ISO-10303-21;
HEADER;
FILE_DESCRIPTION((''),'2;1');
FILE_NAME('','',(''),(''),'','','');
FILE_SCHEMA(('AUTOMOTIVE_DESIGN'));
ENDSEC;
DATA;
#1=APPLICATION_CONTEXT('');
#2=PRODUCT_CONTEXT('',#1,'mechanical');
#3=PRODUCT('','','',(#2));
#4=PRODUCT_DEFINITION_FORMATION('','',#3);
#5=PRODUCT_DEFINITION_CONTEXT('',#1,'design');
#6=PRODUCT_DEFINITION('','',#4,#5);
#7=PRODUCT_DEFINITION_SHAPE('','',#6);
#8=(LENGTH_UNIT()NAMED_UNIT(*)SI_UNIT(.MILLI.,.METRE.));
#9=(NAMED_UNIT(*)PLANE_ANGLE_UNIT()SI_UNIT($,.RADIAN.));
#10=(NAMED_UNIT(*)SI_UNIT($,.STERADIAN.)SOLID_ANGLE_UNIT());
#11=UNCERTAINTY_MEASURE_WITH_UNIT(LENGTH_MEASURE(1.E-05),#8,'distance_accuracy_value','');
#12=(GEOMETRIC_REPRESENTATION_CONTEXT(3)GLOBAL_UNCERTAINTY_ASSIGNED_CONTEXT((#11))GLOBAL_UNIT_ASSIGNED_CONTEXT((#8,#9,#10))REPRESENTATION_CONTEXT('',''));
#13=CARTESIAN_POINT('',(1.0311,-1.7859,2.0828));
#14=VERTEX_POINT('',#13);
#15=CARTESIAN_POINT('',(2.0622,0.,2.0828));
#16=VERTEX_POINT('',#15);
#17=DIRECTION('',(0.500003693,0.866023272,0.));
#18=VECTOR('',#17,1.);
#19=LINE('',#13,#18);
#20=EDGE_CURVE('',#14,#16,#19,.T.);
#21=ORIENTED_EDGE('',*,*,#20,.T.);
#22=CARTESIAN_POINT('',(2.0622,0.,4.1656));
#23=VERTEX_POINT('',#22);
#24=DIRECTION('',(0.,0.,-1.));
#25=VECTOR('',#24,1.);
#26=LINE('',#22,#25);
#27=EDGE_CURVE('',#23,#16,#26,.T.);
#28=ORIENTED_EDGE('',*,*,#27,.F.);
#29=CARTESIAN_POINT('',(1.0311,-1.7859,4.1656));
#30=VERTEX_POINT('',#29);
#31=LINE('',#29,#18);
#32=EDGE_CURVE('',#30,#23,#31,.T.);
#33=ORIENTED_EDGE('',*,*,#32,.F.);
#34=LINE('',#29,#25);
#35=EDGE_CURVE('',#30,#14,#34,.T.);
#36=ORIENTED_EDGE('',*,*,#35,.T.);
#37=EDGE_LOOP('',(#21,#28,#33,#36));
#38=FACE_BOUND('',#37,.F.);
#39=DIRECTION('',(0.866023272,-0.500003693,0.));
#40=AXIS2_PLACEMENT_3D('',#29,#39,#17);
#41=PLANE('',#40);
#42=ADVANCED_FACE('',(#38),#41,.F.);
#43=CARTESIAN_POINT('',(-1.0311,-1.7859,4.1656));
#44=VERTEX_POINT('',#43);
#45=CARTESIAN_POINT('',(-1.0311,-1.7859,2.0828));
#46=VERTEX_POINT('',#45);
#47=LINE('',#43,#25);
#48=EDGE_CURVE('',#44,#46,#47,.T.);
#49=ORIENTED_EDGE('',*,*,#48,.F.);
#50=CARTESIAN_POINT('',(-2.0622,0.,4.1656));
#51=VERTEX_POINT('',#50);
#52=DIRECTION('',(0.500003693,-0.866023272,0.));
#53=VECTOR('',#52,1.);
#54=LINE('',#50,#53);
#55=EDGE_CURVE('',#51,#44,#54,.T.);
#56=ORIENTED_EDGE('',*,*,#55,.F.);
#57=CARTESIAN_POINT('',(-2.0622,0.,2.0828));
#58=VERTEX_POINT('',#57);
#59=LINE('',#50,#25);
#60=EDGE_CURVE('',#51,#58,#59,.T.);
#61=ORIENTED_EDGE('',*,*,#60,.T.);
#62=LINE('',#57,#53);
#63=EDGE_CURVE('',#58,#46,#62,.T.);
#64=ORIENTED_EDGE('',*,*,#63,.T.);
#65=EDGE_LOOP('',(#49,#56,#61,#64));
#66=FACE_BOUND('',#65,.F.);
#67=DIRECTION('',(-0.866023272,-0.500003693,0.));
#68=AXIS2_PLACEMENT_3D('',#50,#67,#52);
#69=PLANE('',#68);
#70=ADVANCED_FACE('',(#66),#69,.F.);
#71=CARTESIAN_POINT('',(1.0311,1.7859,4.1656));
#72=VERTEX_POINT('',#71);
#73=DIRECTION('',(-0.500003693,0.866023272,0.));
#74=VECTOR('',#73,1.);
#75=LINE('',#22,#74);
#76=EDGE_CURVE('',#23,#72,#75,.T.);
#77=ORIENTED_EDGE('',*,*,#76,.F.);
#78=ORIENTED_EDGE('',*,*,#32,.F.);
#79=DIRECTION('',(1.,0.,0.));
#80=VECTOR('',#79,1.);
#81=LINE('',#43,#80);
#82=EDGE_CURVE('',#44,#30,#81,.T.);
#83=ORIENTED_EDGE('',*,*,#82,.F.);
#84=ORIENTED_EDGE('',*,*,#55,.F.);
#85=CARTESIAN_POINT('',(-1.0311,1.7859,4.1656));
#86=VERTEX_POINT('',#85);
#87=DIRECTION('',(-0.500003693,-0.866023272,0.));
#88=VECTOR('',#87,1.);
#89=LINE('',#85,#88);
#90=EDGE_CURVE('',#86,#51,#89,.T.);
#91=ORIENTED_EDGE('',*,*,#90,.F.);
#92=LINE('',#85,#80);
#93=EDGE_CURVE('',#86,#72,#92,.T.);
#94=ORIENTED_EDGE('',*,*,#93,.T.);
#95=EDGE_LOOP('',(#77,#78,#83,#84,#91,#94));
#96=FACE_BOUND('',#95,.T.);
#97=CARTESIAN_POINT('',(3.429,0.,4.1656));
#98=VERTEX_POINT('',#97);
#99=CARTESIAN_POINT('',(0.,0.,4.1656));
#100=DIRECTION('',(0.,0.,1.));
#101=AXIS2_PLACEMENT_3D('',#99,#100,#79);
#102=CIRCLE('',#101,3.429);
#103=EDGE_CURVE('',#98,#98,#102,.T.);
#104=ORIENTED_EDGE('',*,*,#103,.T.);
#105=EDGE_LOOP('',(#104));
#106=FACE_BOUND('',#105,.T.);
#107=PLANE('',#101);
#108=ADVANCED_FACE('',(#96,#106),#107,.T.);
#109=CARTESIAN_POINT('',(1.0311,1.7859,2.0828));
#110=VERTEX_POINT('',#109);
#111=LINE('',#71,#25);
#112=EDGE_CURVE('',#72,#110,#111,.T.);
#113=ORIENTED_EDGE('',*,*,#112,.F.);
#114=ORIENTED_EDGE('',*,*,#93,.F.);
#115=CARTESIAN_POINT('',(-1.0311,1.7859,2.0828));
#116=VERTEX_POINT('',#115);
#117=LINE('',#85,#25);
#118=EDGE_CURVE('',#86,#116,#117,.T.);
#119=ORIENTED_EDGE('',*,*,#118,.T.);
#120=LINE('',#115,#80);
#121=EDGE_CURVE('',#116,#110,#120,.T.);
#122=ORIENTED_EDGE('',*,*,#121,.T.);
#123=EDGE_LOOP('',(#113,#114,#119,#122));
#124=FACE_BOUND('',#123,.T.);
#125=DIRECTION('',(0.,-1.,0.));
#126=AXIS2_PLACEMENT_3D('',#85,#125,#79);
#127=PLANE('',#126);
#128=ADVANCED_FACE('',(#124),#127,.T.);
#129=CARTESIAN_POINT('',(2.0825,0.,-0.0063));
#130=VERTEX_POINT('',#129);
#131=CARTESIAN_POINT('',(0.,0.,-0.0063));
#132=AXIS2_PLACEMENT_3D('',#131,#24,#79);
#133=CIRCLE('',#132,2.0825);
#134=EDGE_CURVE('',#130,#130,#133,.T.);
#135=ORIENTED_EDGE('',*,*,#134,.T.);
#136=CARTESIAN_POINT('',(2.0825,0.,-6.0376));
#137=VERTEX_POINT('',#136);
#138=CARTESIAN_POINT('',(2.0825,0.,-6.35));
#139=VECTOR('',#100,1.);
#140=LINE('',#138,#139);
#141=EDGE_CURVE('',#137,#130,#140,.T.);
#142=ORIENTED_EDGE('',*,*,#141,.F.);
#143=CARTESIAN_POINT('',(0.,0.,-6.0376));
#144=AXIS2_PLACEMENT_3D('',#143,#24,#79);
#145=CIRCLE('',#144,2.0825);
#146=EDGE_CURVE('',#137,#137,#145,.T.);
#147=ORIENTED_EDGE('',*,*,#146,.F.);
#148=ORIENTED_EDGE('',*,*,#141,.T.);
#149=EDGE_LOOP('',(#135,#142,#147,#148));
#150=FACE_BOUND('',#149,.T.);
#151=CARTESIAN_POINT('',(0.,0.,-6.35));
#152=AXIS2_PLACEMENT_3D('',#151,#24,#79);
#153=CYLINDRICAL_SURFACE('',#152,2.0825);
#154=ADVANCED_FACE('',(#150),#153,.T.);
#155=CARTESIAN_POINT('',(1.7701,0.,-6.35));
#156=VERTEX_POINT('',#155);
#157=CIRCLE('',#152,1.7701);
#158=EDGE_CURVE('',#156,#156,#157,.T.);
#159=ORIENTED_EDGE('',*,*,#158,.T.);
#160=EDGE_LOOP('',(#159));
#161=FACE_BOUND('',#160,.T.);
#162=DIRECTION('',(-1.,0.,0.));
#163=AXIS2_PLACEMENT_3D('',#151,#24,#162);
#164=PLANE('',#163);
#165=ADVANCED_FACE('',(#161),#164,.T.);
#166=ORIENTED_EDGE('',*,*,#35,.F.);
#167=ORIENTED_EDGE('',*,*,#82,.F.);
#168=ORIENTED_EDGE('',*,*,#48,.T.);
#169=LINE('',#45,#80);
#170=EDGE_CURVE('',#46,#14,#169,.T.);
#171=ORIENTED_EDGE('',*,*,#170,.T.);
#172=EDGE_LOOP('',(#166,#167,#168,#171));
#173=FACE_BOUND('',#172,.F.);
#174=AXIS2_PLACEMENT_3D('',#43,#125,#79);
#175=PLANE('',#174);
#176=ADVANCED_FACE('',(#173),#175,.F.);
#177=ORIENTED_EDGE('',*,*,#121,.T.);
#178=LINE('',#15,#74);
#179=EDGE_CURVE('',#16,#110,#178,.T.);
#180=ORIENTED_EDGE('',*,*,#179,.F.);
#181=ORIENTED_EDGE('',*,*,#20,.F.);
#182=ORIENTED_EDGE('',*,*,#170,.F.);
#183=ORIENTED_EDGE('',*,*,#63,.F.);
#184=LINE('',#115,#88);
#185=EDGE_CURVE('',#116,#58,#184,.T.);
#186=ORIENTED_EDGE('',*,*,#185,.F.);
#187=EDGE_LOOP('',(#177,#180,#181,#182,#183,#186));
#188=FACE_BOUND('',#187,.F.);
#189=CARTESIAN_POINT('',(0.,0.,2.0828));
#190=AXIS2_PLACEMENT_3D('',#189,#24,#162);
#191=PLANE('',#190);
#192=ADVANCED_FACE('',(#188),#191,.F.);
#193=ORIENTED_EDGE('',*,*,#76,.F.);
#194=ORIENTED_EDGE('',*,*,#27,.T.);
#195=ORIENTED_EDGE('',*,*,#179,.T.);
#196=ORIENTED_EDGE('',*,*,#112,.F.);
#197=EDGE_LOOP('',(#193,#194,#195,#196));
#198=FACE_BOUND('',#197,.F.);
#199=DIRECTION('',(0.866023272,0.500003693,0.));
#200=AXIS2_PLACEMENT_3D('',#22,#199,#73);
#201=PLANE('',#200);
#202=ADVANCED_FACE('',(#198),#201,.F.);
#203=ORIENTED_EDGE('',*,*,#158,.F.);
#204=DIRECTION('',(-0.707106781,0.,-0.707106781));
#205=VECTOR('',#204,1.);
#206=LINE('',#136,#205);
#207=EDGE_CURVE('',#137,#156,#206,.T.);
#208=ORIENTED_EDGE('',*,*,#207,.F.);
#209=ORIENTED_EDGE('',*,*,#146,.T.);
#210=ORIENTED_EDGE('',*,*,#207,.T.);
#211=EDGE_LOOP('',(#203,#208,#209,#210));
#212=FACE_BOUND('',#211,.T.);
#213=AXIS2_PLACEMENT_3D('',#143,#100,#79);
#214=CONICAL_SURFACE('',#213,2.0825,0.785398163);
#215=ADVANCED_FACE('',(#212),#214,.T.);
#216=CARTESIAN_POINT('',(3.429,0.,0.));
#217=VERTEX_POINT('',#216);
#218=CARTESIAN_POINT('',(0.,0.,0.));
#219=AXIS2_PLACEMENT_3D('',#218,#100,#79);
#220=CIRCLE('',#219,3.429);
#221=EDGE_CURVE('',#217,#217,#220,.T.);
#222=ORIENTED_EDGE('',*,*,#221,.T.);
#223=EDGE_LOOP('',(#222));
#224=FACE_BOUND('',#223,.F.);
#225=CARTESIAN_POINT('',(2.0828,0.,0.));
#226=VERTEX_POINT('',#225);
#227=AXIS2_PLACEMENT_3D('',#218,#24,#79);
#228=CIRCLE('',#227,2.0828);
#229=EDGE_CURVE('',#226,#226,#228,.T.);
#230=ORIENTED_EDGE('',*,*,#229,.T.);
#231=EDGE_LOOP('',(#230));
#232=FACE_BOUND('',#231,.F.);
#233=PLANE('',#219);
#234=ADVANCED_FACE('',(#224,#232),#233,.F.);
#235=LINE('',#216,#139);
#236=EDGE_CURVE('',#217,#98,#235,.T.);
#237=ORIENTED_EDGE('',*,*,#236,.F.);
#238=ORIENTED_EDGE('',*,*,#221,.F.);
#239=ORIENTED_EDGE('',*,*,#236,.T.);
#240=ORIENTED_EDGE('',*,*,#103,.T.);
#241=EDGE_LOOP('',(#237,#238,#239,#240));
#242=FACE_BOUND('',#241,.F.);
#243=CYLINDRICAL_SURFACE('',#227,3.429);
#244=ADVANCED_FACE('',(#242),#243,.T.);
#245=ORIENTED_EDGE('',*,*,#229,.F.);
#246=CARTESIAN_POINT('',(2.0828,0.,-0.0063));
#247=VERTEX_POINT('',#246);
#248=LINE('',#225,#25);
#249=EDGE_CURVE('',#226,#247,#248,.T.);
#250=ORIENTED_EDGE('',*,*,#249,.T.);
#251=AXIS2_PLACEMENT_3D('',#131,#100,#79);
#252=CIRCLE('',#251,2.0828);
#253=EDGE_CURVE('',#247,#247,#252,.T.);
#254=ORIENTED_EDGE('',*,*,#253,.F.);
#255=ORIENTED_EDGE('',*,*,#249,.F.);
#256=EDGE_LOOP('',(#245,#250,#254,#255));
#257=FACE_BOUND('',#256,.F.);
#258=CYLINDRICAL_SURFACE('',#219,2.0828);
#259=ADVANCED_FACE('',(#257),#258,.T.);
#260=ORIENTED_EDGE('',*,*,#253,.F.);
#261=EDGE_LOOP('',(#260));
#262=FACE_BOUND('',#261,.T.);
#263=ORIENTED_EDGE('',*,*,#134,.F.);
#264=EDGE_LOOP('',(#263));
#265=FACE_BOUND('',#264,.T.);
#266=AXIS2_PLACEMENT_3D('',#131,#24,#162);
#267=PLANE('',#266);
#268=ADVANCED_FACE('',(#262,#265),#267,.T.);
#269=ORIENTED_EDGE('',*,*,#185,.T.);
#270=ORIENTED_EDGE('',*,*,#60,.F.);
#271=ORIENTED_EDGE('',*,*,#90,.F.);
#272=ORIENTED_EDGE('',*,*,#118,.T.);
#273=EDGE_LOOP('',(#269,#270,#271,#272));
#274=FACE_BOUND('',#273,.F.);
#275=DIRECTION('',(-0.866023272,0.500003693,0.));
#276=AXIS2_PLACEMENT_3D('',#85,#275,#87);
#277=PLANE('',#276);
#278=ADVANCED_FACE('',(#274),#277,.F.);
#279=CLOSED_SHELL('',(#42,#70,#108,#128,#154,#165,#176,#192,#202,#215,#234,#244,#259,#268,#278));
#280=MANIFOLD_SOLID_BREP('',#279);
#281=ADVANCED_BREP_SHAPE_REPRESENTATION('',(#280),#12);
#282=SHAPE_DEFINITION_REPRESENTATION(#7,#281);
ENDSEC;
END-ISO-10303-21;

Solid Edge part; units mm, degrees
sketch "Sketch1" plane through (0, 0, 0) normal (0, 0, 1) x (1, 0, 0)
  circle A0 centre (0, 0) radius 3.429
  dimension "D1" = 6.858
extrude "Protrusion1" add sketch "Sketch1" along normal blind 4.1656
sketch "Sketch2" plane through (0, 0, 0) normal (0, 0, -1) x (1, 0, 0)
  circle A0 centre (0, 0) radius 2.0828
extrude "Protrusion2" add sketch "Sketch2" along normal blind 6.35
sketch "Sketch3" plane through (0, 0, -6.35) normal (0, 0, -1) x (1, 0, 0)
  circle A0 centre (0, 0) radius 2.0825
extrude "Cutout1" cut sketch "Sketch3" against normal blind 6.3437 flip side to cut
chamfer "Chamfer_1" distance 0.3124 angle 45 1 edges at (-2.0825, 0, -6.35)
sketch "Sketch4" plane through (0, 0, 4.1656) normal (0, 0, 1) x (1, 0, 0)
  line L0 (-1.0311, 1.7859) -> (1.0311, 1.7859)
  line L1 (2.0622, 0) -> (1.0311, 1.7859)
  line L2 (1.0311, -1.7859) -> (2.0622, 0)
  line L3 (-1.0311, -1.7859) -> (1.0311, -1.7859)
  line L4 (-2.0622, 0) -> (-1.0311, -1.7859)
  line L5 (-1.0311, 1.7859) -> (-2.0622, 0)
  dimension "D1" = 3.5719
extrude "Cutout2" cut sketch "Sketch4" against normal blind 2.0828
properties part number "185675"
